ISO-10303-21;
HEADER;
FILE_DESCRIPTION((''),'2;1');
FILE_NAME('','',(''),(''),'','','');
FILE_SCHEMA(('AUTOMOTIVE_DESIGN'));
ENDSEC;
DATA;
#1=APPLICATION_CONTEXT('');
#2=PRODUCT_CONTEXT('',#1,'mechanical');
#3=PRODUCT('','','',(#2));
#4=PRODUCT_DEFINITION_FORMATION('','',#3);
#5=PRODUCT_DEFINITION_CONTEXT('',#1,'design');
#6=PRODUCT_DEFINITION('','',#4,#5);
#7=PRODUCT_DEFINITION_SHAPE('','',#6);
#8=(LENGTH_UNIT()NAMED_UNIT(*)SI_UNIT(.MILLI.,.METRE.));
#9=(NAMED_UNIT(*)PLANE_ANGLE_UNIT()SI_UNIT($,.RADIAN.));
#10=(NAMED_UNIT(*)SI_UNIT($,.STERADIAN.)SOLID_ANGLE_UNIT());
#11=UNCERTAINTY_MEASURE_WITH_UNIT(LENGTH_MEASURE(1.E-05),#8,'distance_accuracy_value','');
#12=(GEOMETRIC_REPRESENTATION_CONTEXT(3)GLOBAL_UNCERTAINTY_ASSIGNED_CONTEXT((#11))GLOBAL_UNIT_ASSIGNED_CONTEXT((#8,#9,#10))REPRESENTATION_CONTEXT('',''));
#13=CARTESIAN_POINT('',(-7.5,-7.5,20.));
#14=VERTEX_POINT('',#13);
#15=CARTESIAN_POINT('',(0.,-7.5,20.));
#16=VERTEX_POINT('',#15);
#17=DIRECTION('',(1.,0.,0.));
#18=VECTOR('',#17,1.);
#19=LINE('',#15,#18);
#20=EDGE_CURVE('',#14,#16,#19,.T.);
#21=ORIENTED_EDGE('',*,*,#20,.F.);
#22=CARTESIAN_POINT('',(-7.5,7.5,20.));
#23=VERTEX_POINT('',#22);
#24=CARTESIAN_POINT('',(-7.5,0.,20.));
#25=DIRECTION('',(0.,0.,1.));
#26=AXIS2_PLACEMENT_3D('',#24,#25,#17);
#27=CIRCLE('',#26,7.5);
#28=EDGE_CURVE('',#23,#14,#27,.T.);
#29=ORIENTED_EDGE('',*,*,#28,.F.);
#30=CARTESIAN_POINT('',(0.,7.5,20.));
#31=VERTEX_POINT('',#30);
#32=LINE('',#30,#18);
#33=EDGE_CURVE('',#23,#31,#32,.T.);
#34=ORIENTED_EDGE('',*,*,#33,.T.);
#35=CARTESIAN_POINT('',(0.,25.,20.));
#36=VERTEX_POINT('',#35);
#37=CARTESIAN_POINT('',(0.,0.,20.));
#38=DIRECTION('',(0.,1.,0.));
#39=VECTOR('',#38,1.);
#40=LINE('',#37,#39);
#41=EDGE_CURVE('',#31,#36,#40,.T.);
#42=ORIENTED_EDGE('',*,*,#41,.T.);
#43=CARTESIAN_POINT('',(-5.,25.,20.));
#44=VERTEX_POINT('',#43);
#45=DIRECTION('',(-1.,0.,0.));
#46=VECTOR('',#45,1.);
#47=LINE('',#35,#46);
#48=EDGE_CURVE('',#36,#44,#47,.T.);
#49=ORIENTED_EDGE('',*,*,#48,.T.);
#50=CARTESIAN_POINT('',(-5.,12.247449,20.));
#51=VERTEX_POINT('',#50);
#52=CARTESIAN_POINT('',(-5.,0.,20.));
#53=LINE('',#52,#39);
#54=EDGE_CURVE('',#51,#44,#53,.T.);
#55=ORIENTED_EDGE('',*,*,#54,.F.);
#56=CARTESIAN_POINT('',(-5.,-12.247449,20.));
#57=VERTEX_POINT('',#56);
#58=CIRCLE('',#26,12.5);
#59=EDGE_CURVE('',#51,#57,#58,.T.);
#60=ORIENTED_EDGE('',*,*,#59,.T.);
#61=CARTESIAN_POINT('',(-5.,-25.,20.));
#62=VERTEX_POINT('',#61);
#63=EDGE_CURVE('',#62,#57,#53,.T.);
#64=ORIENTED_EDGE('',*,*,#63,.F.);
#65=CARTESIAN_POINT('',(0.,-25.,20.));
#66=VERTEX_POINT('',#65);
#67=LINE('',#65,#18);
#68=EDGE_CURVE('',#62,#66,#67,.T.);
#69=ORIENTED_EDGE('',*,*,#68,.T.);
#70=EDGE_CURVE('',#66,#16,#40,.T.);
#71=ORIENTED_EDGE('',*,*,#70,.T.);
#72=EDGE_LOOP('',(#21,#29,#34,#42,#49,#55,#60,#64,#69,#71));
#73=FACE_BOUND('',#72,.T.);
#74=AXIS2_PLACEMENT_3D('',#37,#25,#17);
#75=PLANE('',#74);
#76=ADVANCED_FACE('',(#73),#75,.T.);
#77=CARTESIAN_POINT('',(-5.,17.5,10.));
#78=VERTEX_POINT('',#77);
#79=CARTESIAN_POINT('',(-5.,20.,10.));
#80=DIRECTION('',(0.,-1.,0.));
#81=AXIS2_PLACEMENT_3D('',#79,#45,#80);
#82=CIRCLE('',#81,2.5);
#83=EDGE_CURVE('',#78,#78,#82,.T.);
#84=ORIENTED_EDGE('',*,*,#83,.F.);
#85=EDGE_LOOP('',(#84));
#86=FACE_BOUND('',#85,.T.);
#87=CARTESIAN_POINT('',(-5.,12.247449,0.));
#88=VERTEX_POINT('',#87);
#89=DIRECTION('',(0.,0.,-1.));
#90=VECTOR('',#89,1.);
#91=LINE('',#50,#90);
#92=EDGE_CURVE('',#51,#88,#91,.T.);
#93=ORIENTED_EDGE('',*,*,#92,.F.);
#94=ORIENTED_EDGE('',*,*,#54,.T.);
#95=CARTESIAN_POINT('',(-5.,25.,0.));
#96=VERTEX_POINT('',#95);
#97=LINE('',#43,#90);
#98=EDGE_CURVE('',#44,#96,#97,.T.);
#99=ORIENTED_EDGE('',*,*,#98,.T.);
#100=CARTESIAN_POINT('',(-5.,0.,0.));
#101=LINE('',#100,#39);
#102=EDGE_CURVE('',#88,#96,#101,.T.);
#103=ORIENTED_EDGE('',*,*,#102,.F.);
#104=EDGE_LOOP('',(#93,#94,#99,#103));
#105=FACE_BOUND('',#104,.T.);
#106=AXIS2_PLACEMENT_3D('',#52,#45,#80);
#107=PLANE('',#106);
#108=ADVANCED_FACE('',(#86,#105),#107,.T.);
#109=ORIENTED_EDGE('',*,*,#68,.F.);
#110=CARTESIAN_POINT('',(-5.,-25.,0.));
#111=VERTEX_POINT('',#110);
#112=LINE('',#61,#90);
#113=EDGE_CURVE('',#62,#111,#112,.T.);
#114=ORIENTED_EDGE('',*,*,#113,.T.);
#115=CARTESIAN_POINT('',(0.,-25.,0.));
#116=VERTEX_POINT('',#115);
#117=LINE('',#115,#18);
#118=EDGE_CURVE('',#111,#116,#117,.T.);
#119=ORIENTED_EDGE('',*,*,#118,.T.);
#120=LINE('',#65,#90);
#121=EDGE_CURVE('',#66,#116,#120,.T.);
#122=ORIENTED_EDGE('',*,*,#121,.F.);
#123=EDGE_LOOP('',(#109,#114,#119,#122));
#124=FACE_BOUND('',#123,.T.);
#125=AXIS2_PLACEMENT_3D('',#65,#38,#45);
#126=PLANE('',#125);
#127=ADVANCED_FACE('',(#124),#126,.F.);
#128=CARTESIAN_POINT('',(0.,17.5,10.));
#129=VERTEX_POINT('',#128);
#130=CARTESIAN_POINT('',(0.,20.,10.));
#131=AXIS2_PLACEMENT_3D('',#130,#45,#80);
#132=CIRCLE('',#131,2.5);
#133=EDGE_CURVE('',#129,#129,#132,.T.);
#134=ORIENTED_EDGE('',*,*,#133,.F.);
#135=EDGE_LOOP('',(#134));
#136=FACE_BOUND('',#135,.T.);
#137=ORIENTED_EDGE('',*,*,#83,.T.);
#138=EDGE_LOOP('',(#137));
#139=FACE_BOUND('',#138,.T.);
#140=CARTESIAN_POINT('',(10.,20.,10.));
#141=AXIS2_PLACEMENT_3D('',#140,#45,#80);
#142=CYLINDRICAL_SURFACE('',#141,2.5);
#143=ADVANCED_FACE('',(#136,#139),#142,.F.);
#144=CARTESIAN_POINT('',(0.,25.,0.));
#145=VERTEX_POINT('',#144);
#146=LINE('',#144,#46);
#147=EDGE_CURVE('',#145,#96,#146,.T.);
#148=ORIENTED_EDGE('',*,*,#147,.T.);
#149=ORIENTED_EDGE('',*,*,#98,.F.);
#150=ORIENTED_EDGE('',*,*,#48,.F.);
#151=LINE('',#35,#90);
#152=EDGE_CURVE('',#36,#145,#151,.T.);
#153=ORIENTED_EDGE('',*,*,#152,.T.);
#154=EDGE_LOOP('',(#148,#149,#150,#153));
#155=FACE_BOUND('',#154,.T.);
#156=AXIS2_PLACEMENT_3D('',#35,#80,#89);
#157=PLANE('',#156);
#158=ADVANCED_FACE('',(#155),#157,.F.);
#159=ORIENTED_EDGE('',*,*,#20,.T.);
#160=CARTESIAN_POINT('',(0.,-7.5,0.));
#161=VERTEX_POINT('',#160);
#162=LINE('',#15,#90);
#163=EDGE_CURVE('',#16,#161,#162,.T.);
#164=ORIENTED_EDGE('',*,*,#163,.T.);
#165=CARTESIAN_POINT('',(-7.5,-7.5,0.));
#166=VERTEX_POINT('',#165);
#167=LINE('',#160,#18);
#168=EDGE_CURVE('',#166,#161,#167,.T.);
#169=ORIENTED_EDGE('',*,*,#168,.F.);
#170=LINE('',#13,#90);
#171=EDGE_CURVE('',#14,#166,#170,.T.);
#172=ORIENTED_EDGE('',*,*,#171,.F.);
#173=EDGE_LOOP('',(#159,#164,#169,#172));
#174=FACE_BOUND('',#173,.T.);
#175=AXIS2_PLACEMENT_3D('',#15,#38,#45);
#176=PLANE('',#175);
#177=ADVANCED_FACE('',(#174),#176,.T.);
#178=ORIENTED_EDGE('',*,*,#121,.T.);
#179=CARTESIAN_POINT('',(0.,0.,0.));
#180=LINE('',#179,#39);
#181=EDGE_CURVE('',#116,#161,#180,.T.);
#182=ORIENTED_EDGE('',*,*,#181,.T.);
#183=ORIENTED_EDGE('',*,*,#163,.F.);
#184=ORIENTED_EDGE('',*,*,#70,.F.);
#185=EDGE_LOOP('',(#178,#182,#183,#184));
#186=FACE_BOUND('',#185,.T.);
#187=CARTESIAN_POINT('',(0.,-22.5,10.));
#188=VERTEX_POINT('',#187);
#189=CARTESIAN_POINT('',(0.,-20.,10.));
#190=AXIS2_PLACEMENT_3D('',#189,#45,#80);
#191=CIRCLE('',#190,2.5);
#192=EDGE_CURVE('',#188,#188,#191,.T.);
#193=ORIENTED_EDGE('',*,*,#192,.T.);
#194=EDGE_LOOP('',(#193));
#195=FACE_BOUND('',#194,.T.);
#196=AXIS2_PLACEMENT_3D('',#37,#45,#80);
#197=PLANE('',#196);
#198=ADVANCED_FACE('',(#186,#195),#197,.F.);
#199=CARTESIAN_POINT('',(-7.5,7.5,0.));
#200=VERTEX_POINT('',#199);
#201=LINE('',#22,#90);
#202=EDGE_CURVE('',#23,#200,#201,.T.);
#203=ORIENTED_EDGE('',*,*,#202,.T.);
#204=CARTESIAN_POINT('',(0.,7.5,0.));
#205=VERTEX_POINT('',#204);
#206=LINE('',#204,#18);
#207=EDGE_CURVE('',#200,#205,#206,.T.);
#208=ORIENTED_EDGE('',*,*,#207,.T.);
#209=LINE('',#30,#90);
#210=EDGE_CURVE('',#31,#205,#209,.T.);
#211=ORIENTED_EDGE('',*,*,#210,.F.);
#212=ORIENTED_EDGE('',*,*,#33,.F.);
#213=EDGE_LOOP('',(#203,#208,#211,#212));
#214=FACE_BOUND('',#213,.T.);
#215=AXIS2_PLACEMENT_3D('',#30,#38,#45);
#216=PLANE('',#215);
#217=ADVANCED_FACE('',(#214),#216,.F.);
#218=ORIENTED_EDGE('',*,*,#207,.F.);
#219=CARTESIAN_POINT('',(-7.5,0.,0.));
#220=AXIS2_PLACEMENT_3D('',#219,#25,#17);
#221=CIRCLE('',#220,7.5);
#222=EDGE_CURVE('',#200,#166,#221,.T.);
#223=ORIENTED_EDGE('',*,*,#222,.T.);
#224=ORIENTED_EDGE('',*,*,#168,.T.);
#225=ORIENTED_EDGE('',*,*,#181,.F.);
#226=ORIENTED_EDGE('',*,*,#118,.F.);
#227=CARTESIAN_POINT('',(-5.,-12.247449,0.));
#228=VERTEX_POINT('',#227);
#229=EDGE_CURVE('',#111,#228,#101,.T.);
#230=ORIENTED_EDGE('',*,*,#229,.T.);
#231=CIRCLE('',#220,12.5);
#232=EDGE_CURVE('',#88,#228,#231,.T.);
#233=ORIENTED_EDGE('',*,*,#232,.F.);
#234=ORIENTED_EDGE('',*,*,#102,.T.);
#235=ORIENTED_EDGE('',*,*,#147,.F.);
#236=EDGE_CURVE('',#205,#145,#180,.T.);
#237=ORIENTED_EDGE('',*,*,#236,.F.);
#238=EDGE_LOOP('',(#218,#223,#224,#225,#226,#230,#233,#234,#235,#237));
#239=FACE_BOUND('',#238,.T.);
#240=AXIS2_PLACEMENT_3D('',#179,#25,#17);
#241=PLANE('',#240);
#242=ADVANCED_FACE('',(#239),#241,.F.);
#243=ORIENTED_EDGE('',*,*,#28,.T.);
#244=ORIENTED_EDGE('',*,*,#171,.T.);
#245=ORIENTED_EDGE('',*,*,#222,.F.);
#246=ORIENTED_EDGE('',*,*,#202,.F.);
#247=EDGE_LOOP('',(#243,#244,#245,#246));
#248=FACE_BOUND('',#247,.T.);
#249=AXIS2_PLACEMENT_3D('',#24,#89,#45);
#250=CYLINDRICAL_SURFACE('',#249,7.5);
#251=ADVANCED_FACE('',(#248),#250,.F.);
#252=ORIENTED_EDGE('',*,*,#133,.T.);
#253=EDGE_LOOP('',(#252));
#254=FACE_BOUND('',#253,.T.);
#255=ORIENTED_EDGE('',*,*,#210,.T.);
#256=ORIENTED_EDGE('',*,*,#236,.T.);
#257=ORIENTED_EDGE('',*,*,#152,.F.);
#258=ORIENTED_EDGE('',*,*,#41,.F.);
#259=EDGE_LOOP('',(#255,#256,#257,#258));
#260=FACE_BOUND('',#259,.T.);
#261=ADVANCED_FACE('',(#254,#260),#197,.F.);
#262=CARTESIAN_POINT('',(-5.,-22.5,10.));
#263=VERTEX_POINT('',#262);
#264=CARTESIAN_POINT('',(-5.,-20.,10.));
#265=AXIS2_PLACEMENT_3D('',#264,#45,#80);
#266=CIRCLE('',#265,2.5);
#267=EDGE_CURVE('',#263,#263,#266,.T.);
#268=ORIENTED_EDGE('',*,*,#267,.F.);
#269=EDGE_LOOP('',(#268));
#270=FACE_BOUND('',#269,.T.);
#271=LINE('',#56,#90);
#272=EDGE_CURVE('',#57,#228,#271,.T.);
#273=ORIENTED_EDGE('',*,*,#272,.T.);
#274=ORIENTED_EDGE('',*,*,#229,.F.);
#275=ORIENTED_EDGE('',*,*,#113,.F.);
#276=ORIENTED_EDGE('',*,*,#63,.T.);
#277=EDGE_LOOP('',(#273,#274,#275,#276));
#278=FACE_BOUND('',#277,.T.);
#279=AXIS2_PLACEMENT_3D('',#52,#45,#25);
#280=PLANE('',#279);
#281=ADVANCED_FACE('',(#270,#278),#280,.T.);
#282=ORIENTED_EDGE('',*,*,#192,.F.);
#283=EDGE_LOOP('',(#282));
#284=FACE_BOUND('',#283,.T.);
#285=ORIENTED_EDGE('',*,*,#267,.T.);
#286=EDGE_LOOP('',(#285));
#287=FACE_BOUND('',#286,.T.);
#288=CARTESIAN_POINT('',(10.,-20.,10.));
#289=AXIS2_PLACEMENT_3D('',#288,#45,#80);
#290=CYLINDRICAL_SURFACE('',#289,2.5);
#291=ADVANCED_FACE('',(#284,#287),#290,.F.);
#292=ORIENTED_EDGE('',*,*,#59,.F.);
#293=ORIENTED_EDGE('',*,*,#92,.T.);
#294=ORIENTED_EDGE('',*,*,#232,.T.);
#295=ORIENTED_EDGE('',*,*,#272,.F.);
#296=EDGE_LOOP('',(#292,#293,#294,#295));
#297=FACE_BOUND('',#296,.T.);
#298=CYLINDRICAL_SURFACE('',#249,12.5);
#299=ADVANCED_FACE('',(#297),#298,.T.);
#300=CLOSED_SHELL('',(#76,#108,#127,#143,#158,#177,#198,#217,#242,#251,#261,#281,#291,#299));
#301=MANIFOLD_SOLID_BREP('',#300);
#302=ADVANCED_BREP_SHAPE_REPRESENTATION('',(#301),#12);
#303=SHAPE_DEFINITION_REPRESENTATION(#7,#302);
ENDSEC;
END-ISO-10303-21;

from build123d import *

# Parameters (mm, degrees)
BOSS_EXTRUDE1_DEPTH = 20
SKETCH2_R           = 2.5
CUT_EXTRUDE1_DEPTH  = 15


with BuildPart() as part:
    # Sketch1 → Boss-Extrude1 (new body)
    with BuildSketch(Plane.XY):
        with BuildLine():
            Line((-5, 12.247448714), (-5, 25))
            Line((-5, 25), (0, 25))
            Line((0, 25), (0, 7.5))
            Line((0, 7.5), (-7.5, 7.5))
            ThreePointArc((-7.5, 7.5), (-15, 0), (-7.5, -7.5))
            Line((-7.5, -7.5), (0, -7.5))
            Line((0, -7.5), (0, -25))
            Line((0, -25), (-5, -25))
            Line((-5, -25), (-5, -12.247448714))
            ThreePointArc((-5, -12.247448714), (-20, 0), (-5, 12.247448714))
        make_face()
    extrude(amount=BOSS_EXTRUDE1_DEPTH)

    # Sketch2 → Cut-Extrude1 (cut)
    with BuildSketch(Plane.ZY.offset(5)):
        with Locations(Location((10, 20, 0), (0, 0, 270))):
            Circle(SKETCH2_R)
        with Locations(Location((10, -20, 0), (0, 0, 270))):
            Circle(SKETCH2_R)
    extrude(amount=-CUT_EXTRUDE1_DEPTH, mode=Mode.SUBTRACT)


solid = part.part
